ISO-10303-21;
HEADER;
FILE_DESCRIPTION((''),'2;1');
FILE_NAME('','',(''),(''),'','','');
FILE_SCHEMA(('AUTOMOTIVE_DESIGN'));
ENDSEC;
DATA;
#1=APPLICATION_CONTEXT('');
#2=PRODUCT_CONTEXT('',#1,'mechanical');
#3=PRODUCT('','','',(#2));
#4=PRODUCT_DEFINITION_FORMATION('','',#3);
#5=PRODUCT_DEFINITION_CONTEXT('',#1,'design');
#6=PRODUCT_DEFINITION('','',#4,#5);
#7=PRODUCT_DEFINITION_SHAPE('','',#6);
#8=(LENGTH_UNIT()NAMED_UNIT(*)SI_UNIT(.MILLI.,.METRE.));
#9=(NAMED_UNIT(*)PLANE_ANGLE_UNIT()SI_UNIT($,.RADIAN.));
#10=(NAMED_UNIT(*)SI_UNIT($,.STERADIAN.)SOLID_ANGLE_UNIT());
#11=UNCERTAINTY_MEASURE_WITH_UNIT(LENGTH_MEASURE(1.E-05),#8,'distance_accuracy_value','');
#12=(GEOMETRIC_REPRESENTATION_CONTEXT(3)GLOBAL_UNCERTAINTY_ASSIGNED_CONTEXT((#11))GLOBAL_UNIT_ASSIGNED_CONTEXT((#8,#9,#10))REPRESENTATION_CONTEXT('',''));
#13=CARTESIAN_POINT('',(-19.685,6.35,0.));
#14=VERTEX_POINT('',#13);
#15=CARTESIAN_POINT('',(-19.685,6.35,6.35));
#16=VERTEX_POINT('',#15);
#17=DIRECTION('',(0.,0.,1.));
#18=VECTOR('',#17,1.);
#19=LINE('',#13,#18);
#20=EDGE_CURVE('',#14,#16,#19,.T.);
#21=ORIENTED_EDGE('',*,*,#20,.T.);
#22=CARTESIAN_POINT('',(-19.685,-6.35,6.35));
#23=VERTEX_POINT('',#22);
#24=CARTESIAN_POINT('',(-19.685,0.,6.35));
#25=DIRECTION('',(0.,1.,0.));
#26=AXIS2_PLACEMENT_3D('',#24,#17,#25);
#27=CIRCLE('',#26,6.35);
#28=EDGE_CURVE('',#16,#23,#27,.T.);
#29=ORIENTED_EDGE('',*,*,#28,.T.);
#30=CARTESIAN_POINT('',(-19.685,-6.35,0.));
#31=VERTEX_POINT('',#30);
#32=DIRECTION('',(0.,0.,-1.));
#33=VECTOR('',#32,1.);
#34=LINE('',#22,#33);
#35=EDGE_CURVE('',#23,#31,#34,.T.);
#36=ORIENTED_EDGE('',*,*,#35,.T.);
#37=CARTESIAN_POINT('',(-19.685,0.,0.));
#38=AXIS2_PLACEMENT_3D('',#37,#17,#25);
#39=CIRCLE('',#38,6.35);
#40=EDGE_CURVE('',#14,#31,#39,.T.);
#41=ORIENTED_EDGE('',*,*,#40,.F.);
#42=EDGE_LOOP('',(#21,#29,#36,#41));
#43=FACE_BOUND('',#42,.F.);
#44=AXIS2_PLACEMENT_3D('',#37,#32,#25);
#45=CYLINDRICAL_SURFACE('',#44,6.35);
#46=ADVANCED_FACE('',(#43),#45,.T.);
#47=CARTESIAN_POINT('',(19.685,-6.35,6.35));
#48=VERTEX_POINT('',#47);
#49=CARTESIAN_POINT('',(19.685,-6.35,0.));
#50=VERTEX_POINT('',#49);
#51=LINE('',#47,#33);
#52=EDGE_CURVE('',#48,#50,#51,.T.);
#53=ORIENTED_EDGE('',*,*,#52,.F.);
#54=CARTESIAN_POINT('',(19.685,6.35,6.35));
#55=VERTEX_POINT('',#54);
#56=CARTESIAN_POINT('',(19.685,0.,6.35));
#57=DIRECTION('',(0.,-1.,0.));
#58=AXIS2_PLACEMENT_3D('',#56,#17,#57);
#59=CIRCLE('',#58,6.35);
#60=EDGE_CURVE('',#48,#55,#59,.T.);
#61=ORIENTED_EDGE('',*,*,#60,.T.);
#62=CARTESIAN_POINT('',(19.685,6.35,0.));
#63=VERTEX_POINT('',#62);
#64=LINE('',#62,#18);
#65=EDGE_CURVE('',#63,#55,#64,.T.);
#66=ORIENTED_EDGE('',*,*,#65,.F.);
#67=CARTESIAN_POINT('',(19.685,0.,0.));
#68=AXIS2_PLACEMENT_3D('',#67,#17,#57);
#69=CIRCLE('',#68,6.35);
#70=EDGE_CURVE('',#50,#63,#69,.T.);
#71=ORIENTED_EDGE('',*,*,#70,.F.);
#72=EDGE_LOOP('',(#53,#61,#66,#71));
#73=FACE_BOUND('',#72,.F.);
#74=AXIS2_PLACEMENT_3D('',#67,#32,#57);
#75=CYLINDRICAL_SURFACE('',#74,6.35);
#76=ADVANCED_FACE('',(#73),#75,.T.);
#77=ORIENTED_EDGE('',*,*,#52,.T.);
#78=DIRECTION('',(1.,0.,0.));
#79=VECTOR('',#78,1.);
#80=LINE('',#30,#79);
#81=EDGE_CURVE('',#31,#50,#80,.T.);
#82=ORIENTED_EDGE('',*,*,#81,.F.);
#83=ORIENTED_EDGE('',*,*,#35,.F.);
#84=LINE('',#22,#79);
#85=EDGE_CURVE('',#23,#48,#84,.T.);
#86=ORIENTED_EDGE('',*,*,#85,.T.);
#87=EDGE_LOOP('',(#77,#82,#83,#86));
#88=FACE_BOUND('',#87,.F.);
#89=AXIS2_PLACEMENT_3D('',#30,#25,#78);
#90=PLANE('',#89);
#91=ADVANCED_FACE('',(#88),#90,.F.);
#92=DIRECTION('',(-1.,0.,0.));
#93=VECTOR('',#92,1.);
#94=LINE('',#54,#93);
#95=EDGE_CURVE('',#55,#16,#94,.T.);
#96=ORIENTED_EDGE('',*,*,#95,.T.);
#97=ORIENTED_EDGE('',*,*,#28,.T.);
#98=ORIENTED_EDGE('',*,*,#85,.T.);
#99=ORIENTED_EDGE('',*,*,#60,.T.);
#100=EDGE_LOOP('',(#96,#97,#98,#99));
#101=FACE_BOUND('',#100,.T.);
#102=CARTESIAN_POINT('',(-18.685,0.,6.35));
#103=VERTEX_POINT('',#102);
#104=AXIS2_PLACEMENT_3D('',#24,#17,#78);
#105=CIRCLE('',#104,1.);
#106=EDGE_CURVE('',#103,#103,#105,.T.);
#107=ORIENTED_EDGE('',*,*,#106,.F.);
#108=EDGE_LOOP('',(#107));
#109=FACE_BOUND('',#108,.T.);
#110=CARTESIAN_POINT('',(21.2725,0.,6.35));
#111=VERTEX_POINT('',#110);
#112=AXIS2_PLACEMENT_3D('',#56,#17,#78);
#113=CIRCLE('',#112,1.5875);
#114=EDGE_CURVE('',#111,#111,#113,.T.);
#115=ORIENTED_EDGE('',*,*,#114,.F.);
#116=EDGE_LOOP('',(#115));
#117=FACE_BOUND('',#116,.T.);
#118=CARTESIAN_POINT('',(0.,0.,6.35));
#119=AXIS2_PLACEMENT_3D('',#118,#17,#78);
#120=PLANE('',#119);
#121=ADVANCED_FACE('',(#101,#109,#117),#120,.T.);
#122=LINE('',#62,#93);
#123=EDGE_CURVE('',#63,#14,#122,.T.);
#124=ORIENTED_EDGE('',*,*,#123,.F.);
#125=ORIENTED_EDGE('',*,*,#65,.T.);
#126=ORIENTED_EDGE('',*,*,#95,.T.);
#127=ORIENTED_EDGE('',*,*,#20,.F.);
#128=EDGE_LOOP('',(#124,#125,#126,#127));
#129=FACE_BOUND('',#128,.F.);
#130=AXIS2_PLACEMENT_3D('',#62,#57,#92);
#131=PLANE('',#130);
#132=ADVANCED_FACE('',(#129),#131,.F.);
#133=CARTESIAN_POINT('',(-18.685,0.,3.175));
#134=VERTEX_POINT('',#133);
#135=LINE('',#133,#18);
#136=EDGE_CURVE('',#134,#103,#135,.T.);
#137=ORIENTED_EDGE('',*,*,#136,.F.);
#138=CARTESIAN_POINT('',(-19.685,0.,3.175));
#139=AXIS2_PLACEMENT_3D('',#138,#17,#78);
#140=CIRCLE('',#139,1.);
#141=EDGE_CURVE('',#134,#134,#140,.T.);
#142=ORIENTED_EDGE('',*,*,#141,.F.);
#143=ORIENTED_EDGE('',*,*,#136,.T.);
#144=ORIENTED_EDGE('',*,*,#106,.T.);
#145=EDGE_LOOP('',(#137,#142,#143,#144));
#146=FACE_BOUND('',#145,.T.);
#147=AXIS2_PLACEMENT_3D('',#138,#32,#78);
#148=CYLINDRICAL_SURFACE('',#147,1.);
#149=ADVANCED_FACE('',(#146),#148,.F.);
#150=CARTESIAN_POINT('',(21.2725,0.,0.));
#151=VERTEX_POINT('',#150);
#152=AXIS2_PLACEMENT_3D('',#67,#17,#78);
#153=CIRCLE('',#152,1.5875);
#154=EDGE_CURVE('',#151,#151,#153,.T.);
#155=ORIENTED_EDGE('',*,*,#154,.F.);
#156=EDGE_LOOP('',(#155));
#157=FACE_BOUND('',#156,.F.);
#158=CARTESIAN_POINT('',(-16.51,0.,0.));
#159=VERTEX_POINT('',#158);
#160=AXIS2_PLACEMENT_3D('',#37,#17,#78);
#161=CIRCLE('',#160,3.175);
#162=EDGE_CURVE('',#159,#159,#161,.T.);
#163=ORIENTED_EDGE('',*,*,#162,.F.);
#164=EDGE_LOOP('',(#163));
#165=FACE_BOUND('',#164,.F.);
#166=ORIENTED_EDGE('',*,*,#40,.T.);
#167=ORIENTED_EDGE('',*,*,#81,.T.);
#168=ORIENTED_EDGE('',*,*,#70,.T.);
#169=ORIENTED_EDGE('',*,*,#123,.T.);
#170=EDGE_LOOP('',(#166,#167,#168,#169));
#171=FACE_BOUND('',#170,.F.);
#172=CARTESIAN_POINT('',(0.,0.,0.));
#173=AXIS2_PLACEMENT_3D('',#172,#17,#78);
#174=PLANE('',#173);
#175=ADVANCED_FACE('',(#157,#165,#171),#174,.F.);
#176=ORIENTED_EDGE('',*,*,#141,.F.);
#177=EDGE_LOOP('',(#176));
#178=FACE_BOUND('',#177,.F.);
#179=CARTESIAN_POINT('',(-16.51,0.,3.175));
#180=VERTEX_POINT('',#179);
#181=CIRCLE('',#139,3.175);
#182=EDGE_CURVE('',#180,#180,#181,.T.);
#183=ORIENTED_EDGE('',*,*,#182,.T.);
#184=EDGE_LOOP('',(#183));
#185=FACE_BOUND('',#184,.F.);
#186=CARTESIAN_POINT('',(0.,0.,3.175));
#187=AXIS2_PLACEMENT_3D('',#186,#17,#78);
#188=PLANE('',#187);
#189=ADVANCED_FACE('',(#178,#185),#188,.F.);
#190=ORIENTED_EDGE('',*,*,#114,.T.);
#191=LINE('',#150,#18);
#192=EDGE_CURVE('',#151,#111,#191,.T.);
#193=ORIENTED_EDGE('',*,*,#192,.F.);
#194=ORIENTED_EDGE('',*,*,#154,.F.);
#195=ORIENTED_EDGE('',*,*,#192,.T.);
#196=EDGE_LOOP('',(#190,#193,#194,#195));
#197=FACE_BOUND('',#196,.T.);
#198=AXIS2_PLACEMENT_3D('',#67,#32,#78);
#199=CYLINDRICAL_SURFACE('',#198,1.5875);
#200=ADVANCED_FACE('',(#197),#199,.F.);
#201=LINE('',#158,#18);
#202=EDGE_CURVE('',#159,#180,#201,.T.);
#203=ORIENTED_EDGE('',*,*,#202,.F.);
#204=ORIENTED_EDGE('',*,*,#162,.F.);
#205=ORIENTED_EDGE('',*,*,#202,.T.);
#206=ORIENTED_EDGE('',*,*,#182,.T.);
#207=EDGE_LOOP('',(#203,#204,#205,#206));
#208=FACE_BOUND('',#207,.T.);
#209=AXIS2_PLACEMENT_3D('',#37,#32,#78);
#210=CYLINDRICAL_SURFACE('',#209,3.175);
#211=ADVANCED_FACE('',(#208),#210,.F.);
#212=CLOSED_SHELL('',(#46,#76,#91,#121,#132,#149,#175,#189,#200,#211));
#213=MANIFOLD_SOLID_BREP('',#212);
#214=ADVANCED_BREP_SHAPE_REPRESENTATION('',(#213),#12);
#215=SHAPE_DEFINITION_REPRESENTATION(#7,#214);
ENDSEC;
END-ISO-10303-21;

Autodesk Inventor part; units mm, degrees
ref_plane "YZ Plane" through (0, 0, 0) normal (1, 0, 0) x (0, 1, 0)
ref_plane "XZ Plane" through (0, 0, 0) normal (0, 1, 0) x (-1, 0, 0)
ref_plane "XY Plane" through (0, 0, 0) normal (0, 0, 1) x (1, 0, 0)
sketch "Sketch1" plane through (0, 0, 0) normal (0, 0, 1) x (1, 0, 0)
  line L0 (19.685, 0) -> (-19.685, 0) construction
  line L1 (19.685, 6.35) -> (-19.685, 6.35)
  line L2 (-19.685, -6.35) -> (19.685, -6.35)
  arc A0 (19.685, -6.35) -> (19.685, 6.35) centre (19.685, 0) ccw
  arc A1 (-19.685, 6.35) -> (-19.685, -6.35) centre (-19.685, 0) ccw
  circle A2 centre (-19.685, 0) radius 3.175
  circle A3 centre (19.685, 0) radius 1.5875
  point P0 (0, 0)
  dimension "d0" = 6.35
  dimension "d1" = 39.37
  dimension "d2" = 6.35
  dimension "d3" = 3.175
extrude "Extrusion1" add sketch "Sketch1" along normal blind 3.175
sketch "Sketch2" plane through (0, 0, 3.175) normal (0, 0, 1) x (1, 0, 0)
  arc A0 (-19.685, 6.35) -> (-19.685, -6.35) centre (-19.685, 0) ccw projected
  line L0 (-19.685, -6.35) -> (19.685, -6.35) projected
  arc A1 (19.685, -6.35) -> (19.685, 6.35) centre (19.685, 0) ccw projected
  line L1 (19.685, 6.35) -> (-19.685, 6.35) projected
  circle A2 centre (19.685, 0) radius 1.5875 projected
  circle A3 centre (-19.685, 0) radius 3.175 projected
  circle A4 centre (-19.685, 0) radius 1
  point P0 (0, 0)
  dimension "d6" = 2
extrude "Extrusion2" add sketch "Sketch2" along normal blind 3.175 contours L1 A1 L0 A0 | A3
properties part number "bunny neck"
